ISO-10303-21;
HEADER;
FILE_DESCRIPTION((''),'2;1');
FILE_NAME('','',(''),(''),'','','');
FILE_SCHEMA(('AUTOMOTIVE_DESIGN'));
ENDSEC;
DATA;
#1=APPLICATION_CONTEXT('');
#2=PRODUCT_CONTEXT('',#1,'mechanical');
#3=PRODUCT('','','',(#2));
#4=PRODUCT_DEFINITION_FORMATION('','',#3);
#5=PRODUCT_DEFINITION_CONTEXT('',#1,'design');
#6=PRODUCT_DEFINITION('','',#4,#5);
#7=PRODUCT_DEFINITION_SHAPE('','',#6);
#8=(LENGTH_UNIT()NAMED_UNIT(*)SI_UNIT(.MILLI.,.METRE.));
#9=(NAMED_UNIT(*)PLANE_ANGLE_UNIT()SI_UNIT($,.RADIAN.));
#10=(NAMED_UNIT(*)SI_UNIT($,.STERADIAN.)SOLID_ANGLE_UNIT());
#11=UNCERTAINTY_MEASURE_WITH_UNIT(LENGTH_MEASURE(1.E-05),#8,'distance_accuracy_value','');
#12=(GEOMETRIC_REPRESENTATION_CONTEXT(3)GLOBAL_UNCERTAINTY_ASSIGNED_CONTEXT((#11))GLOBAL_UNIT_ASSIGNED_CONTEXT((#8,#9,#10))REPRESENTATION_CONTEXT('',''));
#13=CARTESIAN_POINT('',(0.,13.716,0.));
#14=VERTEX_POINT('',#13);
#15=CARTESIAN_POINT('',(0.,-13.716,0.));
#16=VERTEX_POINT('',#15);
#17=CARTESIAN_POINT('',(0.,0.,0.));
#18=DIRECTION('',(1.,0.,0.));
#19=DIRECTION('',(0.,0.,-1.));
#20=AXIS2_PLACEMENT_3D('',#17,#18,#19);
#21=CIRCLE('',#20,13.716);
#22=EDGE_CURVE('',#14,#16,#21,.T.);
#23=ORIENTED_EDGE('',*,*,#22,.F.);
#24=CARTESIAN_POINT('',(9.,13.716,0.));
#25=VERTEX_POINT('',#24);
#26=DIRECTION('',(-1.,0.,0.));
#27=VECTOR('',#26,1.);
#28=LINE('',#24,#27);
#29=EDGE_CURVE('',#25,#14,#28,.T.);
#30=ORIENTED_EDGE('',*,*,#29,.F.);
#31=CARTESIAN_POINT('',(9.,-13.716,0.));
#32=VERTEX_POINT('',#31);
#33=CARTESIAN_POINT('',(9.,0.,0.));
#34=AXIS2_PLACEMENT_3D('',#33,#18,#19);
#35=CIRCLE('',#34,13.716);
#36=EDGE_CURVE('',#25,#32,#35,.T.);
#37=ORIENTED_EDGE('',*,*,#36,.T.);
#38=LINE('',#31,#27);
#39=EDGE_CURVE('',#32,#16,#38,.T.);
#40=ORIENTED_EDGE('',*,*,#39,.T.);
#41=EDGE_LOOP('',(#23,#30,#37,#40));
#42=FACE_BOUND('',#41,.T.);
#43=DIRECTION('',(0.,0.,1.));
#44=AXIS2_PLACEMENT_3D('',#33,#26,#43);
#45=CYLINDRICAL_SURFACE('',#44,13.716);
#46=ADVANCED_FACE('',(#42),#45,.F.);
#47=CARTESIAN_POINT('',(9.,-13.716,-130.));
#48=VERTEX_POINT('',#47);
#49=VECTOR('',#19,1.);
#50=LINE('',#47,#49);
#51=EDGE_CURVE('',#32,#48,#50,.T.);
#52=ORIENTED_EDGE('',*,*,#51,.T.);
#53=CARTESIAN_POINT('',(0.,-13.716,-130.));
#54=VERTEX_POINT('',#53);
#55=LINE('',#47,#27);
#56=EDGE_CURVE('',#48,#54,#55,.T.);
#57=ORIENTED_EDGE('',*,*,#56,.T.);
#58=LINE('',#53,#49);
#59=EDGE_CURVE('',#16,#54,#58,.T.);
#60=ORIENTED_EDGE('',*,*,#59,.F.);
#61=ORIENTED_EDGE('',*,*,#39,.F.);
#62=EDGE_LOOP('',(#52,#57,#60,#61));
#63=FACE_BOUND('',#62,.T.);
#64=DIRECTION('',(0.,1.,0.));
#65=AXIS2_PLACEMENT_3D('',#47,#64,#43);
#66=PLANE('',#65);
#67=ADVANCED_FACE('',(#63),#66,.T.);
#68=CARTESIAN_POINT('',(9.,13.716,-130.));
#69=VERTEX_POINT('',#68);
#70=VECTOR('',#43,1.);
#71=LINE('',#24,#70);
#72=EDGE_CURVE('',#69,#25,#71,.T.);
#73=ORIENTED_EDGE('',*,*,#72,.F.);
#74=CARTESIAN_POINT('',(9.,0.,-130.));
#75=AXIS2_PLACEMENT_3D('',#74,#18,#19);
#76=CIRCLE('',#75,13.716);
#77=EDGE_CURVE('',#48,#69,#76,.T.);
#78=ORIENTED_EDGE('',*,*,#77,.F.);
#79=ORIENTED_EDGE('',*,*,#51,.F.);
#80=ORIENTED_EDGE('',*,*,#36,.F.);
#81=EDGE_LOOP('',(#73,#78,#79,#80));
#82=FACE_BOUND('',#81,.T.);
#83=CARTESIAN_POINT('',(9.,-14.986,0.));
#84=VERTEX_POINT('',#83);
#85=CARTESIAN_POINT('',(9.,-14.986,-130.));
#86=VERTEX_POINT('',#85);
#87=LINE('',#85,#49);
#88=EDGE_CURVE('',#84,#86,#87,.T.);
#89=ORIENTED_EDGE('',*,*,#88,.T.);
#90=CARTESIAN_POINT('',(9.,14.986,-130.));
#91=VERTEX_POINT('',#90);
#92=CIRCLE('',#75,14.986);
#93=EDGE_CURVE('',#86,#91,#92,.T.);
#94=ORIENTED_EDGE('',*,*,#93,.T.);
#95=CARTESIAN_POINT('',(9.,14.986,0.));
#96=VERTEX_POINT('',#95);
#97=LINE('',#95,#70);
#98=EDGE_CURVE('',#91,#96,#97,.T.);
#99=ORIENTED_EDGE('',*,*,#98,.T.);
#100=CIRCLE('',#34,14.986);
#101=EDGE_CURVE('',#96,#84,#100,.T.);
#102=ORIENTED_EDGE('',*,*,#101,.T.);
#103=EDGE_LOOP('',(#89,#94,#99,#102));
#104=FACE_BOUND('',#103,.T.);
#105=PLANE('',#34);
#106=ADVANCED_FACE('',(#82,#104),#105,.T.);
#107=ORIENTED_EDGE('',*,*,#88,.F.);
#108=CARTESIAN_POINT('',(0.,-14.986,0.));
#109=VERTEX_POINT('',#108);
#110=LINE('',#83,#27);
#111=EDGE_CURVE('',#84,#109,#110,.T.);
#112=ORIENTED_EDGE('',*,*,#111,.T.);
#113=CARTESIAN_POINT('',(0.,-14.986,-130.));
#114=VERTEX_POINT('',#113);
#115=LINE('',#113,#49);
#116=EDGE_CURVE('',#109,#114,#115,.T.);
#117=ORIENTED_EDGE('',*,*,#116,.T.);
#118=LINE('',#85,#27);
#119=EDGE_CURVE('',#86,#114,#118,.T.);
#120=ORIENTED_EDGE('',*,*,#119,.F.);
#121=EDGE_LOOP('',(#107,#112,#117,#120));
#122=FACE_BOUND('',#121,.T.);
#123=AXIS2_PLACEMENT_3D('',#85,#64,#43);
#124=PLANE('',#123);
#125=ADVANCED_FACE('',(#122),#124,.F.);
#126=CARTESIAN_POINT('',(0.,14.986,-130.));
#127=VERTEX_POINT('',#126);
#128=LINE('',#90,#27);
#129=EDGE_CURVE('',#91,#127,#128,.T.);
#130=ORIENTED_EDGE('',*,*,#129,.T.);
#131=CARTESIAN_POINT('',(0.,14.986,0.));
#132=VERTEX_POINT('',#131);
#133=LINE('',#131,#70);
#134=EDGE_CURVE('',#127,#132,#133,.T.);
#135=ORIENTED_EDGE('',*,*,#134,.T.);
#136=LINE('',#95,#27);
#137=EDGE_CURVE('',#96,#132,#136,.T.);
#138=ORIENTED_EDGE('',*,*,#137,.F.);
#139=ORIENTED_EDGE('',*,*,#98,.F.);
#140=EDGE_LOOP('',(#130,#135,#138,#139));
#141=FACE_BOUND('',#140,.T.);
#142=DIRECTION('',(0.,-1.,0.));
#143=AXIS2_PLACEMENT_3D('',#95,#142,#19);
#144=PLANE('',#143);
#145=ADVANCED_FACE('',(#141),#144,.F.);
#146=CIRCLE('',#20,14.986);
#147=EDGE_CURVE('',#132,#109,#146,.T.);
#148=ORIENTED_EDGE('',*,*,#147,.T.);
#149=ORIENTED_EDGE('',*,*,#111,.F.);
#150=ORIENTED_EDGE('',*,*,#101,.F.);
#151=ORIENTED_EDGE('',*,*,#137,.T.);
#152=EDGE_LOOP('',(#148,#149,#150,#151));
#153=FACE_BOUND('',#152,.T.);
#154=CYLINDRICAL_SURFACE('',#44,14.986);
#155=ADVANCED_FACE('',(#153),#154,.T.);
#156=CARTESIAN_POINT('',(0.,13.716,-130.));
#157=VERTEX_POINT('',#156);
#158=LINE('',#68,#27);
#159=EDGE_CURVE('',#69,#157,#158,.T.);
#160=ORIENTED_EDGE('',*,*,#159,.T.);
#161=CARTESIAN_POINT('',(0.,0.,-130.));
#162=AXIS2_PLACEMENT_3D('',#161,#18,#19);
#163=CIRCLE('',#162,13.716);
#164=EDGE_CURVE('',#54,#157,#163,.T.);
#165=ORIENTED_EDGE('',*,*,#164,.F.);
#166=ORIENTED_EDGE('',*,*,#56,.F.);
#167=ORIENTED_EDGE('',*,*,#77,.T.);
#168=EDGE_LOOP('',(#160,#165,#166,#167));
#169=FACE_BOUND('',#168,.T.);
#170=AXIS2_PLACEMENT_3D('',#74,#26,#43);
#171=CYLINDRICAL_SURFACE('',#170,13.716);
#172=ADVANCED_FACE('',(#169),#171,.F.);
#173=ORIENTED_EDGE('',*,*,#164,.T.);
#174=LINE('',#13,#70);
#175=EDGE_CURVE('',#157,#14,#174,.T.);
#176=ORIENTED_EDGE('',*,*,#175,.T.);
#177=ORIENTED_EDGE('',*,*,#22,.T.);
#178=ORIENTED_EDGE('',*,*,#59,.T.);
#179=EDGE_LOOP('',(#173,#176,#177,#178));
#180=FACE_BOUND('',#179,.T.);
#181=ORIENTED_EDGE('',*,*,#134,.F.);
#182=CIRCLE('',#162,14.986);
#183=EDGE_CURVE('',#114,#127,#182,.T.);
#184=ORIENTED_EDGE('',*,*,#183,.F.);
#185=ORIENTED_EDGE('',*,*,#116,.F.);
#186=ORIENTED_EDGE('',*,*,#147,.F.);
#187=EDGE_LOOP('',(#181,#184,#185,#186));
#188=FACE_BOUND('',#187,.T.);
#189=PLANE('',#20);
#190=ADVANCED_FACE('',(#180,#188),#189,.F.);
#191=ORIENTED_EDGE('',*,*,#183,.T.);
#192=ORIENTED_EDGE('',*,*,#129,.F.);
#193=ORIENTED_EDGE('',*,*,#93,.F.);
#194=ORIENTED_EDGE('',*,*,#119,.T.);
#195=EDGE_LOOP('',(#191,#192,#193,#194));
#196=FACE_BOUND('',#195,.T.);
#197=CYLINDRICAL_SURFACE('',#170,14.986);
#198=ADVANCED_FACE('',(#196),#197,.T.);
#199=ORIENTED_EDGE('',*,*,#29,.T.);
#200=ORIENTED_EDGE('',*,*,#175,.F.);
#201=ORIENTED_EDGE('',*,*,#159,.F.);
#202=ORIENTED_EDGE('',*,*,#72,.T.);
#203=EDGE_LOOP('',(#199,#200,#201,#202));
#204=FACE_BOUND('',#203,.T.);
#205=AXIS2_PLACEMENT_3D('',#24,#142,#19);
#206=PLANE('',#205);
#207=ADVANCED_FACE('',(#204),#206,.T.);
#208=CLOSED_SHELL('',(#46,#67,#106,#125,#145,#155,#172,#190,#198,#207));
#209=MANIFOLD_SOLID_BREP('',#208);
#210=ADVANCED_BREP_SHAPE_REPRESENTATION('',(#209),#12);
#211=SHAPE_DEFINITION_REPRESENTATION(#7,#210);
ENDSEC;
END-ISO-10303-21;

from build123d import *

# Parameters (mm, degrees)
EXTRUDE_THIN1_DEPTH = 9


with BuildPart() as part:
    # Sketch1 → Extrude-Thin1 (new body)
    with BuildSketch(Plane(origin=(0, 0, 0), x_dir=(0, 0, -1), z_dir=(1, 0, 0))):
        with BuildLine():
            Line((130, -14.986), (0, -14.986))
            ThreePointArc((0, -14.986), (-14.986, 0), (0, 14.986))
            Line((0, 14.986), (130, 14.986))
            ThreePointArc((130, 14.986), (144.986, 0), (130, -14.986))
        make_face()
        with BuildLine():
            Line((130, -13.716), (0, -13.716))
            ThreePointArc((0, -13.716), (-13.716, 0), (0, 13.716))
            Line((0, 13.716), (130, 13.716))
            ThreePointArc((130, 13.716), (143.716, 0), (130, -13.716))
        make_face(mode=Mode.SUBTRACT)
    extrude(amount=EXTRUDE_THIN1_DEPTH)


solid = part.part
